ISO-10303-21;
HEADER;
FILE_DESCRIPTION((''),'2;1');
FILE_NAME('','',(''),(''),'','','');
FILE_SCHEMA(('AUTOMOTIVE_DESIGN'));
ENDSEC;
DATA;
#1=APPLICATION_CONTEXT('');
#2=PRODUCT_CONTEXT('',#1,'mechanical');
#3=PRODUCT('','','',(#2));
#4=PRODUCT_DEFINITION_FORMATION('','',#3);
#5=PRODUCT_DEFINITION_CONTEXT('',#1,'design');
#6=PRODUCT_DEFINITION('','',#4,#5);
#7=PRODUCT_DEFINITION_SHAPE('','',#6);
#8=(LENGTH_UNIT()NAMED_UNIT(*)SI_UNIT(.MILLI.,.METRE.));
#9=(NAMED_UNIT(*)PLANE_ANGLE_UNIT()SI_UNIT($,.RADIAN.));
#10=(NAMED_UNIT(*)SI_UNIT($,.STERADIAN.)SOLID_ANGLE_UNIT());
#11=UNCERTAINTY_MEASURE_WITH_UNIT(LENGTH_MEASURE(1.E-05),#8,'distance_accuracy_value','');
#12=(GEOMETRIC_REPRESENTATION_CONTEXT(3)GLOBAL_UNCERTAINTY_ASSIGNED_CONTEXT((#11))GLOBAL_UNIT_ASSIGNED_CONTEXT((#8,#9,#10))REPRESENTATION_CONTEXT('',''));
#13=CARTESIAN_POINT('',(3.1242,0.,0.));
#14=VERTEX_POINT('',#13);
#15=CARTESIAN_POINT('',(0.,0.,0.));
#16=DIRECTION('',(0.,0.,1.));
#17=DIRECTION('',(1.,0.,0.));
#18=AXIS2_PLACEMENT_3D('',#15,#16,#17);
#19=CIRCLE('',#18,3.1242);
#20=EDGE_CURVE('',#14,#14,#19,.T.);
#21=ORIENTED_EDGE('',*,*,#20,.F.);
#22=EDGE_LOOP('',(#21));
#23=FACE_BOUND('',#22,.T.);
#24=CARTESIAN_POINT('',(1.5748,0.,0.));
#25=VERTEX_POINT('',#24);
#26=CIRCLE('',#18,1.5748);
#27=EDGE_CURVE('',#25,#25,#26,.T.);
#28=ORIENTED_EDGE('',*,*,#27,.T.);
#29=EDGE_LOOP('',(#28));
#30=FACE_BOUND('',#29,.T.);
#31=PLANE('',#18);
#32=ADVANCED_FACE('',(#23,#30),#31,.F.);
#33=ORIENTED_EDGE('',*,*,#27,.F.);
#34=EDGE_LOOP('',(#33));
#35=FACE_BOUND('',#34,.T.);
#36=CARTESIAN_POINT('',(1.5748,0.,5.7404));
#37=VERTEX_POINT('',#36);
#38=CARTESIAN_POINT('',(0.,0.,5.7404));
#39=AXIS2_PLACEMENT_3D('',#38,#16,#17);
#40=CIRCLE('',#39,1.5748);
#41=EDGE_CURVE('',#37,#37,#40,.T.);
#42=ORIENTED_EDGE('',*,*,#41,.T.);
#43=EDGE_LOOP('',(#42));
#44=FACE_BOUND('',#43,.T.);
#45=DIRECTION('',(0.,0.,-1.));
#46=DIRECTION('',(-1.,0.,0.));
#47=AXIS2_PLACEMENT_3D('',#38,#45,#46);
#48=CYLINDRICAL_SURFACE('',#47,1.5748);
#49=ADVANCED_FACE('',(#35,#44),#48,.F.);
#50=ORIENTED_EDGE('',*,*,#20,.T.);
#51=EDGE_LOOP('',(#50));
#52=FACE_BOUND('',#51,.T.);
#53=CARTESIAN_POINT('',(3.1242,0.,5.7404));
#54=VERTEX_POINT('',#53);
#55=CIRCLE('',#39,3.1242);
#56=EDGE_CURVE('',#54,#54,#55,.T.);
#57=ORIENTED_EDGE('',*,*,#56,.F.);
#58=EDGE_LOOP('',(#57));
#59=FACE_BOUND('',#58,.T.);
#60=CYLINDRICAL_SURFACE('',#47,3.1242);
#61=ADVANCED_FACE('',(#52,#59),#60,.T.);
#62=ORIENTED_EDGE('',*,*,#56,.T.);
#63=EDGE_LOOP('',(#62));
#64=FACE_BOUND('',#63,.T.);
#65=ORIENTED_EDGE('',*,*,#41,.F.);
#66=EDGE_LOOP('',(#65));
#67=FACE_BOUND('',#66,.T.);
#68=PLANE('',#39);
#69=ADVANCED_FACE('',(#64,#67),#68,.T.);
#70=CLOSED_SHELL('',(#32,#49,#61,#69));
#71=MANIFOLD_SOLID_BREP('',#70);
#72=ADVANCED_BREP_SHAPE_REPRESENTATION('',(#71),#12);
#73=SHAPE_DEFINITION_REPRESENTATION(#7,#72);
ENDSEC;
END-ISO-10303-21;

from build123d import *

# Parameters (mm, degrees)
SKETCH1_R           = 3.1242
SKETCH1_R_2         = 1.5748
BOSS_EXTRUDE1_DEPTH = 5.7404


with BuildPart() as part:
    # Sketch1 → Boss-Extrude1 (new body)
    with BuildSketch(Plane.XY):
        Circle(SKETCH1_R)
        Circle(SKETCH1_R_2, mode=Mode.SUBTRACT)
    extrude(amount=BOSS_EXTRUDE1_DEPTH)


solid = part.part
